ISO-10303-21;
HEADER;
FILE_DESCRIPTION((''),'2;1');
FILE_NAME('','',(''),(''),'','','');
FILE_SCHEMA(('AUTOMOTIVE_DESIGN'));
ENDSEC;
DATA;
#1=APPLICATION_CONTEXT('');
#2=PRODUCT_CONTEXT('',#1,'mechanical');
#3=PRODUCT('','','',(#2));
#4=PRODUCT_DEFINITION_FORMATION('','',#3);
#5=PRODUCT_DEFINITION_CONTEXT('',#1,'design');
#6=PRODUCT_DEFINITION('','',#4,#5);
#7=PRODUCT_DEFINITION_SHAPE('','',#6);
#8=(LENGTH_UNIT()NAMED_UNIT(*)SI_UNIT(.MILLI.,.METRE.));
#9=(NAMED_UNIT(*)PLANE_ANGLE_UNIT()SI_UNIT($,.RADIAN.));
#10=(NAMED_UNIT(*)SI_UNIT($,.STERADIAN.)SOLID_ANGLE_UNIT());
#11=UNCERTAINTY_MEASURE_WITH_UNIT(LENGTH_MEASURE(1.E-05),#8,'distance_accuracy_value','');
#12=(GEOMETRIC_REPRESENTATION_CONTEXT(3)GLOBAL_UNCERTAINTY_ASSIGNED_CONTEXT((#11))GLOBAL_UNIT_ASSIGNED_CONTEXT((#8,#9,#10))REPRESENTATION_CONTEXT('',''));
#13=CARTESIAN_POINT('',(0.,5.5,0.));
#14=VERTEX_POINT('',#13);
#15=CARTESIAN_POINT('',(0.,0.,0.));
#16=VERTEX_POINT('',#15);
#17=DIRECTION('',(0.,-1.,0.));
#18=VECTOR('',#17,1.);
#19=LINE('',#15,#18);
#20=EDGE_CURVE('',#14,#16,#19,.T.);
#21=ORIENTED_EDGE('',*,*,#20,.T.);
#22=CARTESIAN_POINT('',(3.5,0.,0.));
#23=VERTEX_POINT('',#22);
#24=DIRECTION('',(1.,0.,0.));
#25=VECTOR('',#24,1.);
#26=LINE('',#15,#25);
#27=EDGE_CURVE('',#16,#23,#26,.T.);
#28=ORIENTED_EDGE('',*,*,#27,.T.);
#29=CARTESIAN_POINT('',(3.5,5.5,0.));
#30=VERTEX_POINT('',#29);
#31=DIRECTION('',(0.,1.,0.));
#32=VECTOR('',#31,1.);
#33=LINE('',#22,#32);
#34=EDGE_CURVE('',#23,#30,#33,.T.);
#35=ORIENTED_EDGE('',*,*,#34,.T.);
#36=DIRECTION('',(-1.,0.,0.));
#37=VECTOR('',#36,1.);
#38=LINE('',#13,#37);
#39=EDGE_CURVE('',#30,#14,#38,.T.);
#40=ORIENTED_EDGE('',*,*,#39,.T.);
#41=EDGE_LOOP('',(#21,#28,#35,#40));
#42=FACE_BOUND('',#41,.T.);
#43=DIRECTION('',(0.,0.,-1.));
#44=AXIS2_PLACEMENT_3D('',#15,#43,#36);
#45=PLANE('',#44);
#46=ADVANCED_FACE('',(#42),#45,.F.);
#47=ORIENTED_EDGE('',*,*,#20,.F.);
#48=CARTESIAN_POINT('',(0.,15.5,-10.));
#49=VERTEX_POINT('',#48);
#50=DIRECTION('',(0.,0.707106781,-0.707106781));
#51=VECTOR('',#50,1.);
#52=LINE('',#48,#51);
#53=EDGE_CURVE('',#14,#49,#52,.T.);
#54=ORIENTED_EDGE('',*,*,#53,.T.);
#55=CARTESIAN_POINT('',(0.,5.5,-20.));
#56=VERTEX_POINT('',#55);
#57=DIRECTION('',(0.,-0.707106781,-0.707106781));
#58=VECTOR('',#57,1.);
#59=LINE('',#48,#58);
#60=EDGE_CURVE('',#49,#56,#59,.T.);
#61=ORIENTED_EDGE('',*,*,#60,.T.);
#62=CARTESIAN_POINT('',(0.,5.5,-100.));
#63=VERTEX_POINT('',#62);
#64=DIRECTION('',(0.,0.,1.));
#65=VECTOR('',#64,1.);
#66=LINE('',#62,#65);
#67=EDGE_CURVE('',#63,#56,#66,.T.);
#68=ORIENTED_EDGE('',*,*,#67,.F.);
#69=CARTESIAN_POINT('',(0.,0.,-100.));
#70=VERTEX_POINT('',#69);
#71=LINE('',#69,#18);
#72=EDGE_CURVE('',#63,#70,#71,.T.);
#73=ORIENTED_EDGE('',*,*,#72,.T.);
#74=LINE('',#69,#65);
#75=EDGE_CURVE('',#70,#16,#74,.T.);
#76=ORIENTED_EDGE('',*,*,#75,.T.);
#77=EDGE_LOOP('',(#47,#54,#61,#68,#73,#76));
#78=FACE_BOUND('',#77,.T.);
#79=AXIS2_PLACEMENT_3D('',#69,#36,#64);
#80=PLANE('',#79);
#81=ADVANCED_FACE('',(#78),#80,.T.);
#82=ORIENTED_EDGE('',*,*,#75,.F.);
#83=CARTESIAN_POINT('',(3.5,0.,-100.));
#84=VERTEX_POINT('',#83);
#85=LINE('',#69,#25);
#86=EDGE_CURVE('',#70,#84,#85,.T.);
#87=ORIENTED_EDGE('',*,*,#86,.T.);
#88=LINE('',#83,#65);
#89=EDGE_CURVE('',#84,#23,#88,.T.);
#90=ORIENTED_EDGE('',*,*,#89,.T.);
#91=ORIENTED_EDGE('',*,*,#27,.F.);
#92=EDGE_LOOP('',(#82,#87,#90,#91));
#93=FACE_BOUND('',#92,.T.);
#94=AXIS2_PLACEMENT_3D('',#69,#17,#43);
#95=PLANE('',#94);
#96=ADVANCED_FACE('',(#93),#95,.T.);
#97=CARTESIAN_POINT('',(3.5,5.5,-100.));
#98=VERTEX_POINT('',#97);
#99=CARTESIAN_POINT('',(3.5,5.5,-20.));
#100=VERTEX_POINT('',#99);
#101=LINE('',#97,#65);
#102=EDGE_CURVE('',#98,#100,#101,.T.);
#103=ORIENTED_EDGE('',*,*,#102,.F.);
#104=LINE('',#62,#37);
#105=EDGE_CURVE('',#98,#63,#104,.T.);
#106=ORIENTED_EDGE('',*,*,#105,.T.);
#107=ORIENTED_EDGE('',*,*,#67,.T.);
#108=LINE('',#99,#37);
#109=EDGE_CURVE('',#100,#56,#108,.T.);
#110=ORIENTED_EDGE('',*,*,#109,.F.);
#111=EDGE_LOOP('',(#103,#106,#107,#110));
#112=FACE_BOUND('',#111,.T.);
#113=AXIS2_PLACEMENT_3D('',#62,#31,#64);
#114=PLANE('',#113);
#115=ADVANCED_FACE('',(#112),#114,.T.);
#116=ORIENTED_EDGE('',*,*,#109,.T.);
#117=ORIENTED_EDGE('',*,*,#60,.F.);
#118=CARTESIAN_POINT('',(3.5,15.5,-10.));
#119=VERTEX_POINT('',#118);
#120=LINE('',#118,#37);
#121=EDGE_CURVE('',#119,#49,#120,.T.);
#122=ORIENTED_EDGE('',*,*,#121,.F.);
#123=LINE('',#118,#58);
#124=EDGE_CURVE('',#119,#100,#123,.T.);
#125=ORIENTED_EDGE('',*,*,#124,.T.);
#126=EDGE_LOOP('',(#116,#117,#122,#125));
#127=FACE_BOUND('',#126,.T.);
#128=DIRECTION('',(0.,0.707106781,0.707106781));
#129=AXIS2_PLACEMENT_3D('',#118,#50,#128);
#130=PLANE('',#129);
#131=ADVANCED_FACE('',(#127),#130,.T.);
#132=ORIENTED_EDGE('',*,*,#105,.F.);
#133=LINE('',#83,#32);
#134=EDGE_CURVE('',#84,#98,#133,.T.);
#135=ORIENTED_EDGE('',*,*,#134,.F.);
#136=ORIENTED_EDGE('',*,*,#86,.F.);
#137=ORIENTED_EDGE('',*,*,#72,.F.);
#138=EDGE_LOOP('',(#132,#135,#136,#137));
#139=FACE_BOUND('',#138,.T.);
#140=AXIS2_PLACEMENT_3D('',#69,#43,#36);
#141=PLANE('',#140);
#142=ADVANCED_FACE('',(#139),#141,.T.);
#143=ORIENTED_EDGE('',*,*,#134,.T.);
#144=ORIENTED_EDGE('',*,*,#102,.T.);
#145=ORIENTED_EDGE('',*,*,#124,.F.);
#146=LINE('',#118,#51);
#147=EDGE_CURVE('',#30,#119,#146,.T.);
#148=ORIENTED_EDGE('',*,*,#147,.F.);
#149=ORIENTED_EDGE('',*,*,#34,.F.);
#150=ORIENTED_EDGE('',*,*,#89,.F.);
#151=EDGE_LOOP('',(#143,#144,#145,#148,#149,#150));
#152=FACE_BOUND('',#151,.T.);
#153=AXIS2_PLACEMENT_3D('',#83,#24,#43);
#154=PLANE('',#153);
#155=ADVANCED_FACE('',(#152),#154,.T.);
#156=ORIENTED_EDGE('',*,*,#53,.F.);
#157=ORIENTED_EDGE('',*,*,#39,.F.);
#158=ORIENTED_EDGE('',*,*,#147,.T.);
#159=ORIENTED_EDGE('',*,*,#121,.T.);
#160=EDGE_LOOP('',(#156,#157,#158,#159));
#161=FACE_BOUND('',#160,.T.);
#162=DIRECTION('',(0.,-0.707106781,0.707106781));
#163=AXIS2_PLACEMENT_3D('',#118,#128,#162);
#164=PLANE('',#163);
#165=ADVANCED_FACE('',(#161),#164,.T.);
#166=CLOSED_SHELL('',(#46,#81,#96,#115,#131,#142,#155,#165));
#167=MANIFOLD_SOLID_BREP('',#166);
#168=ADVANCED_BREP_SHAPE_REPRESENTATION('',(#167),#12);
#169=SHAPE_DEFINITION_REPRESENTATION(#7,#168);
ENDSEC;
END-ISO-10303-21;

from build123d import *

# Parameters (mm, degrees)
ESQUISSE1_W        = 3.5
ESQUISSE1_H        = 5.5
BOSS_EXTRU_1_DEPTH = 100
BOSS_EXTRU_2_DEPTH = 3.5


with BuildPart() as part:
    # Esquisse1 → Boss.-Extru.1 (new body)
    with BuildSketch(Plane.XY):
        with Locations((1.75, 2.75)):
            Rectangle(ESQUISSE1_W, ESQUISSE1_H)
    extrude(amount=-BOSS_EXTRU_1_DEPTH)

    # Esquisse2 → Boss.-Extru.2 (add)
    with BuildSketch(Plane.ZY):
        Polygon((0, 5.5), (-10, 5.5), (-20, 5.5), (-10, 15.5), align=None)
    extrude(amount=-BOSS_EXTRU_2_DEPTH)


solid = part.part
